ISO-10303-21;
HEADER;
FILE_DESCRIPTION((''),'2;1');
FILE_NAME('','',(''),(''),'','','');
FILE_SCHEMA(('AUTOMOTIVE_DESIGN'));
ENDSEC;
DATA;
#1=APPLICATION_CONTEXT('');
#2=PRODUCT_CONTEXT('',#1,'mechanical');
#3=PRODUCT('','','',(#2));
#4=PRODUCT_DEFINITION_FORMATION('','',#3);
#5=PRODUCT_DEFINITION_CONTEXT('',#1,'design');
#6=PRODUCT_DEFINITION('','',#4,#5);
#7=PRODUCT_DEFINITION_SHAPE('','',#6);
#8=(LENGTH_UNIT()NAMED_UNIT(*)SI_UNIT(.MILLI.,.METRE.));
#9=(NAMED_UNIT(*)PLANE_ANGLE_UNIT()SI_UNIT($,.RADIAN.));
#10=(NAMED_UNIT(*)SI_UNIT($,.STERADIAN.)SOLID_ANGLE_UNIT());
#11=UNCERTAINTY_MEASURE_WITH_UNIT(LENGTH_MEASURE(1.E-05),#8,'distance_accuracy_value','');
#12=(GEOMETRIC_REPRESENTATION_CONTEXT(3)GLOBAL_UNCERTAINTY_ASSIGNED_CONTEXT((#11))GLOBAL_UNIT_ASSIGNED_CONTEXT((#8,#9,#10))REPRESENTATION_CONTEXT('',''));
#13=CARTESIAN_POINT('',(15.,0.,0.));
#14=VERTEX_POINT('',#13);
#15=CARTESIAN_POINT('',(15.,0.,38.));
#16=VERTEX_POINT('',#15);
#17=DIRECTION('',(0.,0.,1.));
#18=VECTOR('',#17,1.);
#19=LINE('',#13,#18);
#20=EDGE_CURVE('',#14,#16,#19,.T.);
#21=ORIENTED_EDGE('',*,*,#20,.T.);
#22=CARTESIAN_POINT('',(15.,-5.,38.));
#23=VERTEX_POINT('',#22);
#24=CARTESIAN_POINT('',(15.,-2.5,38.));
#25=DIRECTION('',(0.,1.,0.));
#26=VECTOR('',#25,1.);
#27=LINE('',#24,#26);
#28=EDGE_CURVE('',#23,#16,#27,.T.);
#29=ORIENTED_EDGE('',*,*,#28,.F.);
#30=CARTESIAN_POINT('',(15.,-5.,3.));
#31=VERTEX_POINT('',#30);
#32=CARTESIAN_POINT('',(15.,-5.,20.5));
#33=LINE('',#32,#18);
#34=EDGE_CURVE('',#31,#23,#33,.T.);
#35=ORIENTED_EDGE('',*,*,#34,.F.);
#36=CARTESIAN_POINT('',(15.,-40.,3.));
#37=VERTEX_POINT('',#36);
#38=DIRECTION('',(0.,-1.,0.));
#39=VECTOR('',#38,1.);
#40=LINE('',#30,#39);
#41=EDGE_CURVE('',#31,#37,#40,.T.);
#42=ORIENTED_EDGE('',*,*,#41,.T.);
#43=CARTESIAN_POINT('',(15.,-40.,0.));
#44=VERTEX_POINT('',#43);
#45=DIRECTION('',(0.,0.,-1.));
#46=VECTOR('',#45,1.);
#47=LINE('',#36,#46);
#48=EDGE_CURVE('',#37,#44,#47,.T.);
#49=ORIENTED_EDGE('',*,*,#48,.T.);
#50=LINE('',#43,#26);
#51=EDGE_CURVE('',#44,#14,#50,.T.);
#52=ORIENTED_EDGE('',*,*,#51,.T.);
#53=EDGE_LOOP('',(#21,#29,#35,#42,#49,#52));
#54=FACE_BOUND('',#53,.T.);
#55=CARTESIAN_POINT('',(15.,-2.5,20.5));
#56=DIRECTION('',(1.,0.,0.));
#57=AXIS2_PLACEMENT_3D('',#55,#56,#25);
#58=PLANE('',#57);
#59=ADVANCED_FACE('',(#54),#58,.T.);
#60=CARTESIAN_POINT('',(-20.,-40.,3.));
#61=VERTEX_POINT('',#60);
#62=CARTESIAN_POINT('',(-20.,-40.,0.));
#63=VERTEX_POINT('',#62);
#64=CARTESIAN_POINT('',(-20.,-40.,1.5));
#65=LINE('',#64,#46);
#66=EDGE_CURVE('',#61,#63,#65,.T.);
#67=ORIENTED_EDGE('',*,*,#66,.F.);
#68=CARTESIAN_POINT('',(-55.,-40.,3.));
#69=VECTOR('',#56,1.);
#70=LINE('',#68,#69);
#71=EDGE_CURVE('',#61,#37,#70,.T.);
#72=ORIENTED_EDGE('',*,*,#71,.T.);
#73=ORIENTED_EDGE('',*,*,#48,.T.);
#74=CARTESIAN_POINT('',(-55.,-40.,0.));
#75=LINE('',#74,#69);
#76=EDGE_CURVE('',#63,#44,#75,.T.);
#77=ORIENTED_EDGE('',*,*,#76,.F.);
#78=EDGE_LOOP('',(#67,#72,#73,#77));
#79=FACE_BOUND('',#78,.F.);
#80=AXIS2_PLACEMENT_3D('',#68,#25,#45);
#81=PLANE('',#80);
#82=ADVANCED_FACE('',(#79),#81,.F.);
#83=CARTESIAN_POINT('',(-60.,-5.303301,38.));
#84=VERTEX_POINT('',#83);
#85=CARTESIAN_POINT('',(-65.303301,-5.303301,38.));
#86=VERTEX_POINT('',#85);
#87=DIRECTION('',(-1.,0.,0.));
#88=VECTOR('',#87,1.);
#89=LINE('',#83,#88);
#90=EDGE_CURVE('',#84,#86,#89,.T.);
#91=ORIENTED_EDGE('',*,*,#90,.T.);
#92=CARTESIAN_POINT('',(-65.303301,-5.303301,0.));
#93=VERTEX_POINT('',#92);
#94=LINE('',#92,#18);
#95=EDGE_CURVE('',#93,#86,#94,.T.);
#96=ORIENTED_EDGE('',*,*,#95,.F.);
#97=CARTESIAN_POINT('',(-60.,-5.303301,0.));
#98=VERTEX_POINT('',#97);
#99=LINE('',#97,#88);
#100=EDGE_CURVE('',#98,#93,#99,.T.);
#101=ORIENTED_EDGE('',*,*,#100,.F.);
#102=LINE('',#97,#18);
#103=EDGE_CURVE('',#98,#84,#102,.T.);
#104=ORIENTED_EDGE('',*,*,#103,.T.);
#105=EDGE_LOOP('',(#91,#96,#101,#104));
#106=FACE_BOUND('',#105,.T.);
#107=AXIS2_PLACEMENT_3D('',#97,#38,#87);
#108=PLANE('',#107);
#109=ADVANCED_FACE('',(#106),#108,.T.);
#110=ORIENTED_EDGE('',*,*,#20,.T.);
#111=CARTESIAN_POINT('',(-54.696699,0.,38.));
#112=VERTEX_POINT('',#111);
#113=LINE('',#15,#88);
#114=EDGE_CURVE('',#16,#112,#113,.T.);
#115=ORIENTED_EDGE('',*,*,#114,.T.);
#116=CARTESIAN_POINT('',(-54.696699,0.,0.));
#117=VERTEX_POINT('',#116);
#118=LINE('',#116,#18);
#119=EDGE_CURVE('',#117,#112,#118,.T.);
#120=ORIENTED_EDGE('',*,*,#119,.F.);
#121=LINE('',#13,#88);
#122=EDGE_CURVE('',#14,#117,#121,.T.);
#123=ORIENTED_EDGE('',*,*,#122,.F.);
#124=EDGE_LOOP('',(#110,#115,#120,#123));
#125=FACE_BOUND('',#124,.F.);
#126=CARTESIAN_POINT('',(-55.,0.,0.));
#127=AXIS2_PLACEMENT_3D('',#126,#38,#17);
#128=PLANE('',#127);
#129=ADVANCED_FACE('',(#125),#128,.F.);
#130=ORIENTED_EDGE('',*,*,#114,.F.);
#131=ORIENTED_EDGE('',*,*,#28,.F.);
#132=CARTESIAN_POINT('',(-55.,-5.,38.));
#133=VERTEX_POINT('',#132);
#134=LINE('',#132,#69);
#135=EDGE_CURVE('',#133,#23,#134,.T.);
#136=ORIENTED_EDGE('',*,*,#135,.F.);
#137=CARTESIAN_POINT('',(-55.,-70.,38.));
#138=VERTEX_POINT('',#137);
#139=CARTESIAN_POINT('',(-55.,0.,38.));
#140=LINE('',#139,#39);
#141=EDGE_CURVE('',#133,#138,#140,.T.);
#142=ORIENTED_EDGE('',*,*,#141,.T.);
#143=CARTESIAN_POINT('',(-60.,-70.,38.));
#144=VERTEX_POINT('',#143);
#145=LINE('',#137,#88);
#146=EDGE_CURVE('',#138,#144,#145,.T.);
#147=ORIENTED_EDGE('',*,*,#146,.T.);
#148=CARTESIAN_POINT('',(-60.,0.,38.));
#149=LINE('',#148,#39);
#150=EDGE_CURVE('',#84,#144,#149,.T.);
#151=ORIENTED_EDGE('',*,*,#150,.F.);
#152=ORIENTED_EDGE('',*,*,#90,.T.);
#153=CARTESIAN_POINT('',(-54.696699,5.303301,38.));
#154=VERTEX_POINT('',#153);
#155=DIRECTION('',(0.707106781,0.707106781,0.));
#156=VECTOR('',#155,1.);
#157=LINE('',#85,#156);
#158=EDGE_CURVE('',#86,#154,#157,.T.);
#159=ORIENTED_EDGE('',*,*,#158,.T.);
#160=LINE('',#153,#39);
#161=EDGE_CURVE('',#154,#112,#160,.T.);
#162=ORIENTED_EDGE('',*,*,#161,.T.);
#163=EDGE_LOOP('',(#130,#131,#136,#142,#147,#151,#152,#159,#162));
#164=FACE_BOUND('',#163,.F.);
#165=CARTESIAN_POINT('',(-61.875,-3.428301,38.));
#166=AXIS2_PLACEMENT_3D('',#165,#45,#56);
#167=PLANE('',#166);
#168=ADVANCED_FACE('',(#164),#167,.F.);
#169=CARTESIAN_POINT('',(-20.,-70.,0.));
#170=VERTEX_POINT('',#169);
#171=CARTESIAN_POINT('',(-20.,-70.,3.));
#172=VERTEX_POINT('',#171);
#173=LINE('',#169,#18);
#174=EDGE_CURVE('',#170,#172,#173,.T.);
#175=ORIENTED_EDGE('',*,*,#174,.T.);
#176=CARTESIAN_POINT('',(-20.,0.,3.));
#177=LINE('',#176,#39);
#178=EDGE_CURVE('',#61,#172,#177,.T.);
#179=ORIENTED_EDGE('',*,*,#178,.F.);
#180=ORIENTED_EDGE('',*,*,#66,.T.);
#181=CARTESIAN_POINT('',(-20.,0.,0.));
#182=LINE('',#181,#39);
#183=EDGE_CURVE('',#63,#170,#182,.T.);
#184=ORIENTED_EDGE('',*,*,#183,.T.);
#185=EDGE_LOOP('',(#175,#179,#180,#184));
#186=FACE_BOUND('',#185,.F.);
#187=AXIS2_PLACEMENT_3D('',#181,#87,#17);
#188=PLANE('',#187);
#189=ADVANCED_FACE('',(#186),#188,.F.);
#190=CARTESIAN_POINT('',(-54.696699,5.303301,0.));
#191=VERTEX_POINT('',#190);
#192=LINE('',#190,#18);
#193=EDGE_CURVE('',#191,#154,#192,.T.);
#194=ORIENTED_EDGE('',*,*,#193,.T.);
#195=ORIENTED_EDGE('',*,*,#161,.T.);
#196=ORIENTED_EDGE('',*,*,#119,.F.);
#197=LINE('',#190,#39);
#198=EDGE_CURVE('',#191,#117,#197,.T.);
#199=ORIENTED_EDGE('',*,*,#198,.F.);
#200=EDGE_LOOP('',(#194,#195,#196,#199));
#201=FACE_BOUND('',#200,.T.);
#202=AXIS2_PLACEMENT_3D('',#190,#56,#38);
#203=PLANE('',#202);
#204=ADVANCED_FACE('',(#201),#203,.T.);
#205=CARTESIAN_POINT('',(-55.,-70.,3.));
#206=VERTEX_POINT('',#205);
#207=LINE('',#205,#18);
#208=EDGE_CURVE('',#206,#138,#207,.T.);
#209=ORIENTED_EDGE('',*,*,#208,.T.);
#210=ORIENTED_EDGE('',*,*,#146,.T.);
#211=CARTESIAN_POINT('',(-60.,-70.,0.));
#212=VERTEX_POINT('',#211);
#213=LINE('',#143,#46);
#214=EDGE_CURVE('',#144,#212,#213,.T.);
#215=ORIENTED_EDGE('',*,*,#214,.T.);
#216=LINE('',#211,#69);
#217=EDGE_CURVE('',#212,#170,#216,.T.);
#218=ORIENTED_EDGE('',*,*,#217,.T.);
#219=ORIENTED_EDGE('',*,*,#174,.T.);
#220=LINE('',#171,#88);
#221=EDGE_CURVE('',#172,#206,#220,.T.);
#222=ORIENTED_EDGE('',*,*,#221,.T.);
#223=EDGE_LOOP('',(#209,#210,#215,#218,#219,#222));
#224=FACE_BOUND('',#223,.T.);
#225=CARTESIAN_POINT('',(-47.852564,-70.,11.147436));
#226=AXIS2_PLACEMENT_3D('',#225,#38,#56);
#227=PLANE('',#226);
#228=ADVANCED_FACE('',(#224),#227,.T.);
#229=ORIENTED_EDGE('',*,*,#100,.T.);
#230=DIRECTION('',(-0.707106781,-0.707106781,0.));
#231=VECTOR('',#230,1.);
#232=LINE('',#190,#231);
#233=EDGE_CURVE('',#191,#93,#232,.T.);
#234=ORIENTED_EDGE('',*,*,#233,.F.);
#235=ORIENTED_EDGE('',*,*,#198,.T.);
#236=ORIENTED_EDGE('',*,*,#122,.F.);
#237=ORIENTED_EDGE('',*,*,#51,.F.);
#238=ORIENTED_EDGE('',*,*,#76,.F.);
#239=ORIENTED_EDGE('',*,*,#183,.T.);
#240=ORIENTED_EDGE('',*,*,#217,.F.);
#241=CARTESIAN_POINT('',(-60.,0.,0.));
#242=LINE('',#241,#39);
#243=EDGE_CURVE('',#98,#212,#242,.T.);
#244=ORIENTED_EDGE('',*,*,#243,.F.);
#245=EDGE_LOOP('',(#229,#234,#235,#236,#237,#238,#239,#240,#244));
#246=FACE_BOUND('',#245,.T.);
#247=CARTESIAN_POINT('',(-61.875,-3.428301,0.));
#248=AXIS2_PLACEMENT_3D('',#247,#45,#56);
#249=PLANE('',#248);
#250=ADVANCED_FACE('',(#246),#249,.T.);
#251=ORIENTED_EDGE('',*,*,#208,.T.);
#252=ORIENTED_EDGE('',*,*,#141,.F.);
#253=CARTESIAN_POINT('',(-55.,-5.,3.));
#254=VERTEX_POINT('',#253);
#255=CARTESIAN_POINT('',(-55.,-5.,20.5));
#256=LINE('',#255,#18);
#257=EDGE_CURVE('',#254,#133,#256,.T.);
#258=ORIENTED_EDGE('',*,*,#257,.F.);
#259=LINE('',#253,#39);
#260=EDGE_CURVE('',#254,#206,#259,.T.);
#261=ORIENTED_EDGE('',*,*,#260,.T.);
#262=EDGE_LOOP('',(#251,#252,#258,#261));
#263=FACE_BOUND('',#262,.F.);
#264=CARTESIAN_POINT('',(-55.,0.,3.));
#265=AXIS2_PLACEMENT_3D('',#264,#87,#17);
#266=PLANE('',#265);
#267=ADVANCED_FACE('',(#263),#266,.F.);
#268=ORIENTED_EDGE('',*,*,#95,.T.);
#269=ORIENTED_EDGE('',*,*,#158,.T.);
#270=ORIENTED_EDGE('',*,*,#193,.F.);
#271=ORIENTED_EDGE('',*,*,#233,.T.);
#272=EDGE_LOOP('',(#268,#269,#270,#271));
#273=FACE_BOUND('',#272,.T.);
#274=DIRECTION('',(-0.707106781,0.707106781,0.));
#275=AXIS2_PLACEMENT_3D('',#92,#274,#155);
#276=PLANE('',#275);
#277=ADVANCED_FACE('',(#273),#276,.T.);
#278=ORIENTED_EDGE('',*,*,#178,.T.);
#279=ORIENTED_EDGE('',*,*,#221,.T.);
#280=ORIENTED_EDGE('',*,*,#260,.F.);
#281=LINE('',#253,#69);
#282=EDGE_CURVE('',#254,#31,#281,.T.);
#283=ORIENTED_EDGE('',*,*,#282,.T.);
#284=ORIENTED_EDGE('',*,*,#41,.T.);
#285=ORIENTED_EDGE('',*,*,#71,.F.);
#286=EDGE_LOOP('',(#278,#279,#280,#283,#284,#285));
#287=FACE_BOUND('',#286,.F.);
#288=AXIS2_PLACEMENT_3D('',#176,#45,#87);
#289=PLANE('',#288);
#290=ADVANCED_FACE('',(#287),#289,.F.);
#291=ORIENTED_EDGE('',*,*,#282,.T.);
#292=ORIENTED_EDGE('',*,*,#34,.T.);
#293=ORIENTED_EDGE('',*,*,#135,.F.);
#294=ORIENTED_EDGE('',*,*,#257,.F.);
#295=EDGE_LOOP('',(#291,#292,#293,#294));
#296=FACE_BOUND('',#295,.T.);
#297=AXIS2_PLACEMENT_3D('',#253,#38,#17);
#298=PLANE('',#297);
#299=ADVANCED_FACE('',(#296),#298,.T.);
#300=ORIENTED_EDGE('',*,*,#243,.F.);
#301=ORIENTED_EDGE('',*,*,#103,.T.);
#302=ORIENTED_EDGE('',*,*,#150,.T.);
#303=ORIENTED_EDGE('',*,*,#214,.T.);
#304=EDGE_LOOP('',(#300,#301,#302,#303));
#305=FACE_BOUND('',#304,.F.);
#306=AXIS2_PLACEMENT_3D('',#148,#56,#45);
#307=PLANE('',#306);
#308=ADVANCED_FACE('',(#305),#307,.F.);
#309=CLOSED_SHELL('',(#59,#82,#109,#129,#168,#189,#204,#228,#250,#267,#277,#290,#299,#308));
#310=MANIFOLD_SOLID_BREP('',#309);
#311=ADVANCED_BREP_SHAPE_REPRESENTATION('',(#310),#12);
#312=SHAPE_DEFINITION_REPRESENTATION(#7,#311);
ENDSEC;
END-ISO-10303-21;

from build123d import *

# Parameters (mm, degrees)
F1_DEPTH = 70
F2_W     = 5
F2_H     = 35
F3_DEPTH = 70
F6_DEPTH = 38


with BuildPart() as f1:
    # F0 (on Front) → F1 (new body)
    with BuildSketch(Plane.XZ):
        Polygon((-55, 38), (-60, 38), (-60, 0), (-20, 0), (-20, 3), (-55, 3), align=None)
    extrude(amount=F1_DEPTH)


with BuildPart() as f3:
    # F2 (on face) → F3 (new body)
    with BuildSketch(Plane.YZ.offset(-55)):
        with Locations((-2.5, 20.5)):
            Rectangle(F2_W, F2_H)
        Polygon((-40, 0), (0, 0), (0, 3), (-5, 3), (-40, 3), align=None)
    extrude(amount=F3_DEPTH)


with BuildPart() as f1_1:
    add(f1.part)

    # F4: union F3
    add(f3.part)

    # F5 (on face) → F6 (join, through all)
    with BuildSketch(Plane(origin=(0, 0, 0), x_dir=(1, 0, 0), z_dir=(0, 0, -1))):
        Polygon((-60, 5.303301), (-65.303301, 5.303301), (-60, 0), align=None)
        Polygon((-54.696699, 0), (-60, 0), (-54.696699, -5.303301), align=None)
    extrude(amount=-F6_DEPTH)


solid = f1_1.part
